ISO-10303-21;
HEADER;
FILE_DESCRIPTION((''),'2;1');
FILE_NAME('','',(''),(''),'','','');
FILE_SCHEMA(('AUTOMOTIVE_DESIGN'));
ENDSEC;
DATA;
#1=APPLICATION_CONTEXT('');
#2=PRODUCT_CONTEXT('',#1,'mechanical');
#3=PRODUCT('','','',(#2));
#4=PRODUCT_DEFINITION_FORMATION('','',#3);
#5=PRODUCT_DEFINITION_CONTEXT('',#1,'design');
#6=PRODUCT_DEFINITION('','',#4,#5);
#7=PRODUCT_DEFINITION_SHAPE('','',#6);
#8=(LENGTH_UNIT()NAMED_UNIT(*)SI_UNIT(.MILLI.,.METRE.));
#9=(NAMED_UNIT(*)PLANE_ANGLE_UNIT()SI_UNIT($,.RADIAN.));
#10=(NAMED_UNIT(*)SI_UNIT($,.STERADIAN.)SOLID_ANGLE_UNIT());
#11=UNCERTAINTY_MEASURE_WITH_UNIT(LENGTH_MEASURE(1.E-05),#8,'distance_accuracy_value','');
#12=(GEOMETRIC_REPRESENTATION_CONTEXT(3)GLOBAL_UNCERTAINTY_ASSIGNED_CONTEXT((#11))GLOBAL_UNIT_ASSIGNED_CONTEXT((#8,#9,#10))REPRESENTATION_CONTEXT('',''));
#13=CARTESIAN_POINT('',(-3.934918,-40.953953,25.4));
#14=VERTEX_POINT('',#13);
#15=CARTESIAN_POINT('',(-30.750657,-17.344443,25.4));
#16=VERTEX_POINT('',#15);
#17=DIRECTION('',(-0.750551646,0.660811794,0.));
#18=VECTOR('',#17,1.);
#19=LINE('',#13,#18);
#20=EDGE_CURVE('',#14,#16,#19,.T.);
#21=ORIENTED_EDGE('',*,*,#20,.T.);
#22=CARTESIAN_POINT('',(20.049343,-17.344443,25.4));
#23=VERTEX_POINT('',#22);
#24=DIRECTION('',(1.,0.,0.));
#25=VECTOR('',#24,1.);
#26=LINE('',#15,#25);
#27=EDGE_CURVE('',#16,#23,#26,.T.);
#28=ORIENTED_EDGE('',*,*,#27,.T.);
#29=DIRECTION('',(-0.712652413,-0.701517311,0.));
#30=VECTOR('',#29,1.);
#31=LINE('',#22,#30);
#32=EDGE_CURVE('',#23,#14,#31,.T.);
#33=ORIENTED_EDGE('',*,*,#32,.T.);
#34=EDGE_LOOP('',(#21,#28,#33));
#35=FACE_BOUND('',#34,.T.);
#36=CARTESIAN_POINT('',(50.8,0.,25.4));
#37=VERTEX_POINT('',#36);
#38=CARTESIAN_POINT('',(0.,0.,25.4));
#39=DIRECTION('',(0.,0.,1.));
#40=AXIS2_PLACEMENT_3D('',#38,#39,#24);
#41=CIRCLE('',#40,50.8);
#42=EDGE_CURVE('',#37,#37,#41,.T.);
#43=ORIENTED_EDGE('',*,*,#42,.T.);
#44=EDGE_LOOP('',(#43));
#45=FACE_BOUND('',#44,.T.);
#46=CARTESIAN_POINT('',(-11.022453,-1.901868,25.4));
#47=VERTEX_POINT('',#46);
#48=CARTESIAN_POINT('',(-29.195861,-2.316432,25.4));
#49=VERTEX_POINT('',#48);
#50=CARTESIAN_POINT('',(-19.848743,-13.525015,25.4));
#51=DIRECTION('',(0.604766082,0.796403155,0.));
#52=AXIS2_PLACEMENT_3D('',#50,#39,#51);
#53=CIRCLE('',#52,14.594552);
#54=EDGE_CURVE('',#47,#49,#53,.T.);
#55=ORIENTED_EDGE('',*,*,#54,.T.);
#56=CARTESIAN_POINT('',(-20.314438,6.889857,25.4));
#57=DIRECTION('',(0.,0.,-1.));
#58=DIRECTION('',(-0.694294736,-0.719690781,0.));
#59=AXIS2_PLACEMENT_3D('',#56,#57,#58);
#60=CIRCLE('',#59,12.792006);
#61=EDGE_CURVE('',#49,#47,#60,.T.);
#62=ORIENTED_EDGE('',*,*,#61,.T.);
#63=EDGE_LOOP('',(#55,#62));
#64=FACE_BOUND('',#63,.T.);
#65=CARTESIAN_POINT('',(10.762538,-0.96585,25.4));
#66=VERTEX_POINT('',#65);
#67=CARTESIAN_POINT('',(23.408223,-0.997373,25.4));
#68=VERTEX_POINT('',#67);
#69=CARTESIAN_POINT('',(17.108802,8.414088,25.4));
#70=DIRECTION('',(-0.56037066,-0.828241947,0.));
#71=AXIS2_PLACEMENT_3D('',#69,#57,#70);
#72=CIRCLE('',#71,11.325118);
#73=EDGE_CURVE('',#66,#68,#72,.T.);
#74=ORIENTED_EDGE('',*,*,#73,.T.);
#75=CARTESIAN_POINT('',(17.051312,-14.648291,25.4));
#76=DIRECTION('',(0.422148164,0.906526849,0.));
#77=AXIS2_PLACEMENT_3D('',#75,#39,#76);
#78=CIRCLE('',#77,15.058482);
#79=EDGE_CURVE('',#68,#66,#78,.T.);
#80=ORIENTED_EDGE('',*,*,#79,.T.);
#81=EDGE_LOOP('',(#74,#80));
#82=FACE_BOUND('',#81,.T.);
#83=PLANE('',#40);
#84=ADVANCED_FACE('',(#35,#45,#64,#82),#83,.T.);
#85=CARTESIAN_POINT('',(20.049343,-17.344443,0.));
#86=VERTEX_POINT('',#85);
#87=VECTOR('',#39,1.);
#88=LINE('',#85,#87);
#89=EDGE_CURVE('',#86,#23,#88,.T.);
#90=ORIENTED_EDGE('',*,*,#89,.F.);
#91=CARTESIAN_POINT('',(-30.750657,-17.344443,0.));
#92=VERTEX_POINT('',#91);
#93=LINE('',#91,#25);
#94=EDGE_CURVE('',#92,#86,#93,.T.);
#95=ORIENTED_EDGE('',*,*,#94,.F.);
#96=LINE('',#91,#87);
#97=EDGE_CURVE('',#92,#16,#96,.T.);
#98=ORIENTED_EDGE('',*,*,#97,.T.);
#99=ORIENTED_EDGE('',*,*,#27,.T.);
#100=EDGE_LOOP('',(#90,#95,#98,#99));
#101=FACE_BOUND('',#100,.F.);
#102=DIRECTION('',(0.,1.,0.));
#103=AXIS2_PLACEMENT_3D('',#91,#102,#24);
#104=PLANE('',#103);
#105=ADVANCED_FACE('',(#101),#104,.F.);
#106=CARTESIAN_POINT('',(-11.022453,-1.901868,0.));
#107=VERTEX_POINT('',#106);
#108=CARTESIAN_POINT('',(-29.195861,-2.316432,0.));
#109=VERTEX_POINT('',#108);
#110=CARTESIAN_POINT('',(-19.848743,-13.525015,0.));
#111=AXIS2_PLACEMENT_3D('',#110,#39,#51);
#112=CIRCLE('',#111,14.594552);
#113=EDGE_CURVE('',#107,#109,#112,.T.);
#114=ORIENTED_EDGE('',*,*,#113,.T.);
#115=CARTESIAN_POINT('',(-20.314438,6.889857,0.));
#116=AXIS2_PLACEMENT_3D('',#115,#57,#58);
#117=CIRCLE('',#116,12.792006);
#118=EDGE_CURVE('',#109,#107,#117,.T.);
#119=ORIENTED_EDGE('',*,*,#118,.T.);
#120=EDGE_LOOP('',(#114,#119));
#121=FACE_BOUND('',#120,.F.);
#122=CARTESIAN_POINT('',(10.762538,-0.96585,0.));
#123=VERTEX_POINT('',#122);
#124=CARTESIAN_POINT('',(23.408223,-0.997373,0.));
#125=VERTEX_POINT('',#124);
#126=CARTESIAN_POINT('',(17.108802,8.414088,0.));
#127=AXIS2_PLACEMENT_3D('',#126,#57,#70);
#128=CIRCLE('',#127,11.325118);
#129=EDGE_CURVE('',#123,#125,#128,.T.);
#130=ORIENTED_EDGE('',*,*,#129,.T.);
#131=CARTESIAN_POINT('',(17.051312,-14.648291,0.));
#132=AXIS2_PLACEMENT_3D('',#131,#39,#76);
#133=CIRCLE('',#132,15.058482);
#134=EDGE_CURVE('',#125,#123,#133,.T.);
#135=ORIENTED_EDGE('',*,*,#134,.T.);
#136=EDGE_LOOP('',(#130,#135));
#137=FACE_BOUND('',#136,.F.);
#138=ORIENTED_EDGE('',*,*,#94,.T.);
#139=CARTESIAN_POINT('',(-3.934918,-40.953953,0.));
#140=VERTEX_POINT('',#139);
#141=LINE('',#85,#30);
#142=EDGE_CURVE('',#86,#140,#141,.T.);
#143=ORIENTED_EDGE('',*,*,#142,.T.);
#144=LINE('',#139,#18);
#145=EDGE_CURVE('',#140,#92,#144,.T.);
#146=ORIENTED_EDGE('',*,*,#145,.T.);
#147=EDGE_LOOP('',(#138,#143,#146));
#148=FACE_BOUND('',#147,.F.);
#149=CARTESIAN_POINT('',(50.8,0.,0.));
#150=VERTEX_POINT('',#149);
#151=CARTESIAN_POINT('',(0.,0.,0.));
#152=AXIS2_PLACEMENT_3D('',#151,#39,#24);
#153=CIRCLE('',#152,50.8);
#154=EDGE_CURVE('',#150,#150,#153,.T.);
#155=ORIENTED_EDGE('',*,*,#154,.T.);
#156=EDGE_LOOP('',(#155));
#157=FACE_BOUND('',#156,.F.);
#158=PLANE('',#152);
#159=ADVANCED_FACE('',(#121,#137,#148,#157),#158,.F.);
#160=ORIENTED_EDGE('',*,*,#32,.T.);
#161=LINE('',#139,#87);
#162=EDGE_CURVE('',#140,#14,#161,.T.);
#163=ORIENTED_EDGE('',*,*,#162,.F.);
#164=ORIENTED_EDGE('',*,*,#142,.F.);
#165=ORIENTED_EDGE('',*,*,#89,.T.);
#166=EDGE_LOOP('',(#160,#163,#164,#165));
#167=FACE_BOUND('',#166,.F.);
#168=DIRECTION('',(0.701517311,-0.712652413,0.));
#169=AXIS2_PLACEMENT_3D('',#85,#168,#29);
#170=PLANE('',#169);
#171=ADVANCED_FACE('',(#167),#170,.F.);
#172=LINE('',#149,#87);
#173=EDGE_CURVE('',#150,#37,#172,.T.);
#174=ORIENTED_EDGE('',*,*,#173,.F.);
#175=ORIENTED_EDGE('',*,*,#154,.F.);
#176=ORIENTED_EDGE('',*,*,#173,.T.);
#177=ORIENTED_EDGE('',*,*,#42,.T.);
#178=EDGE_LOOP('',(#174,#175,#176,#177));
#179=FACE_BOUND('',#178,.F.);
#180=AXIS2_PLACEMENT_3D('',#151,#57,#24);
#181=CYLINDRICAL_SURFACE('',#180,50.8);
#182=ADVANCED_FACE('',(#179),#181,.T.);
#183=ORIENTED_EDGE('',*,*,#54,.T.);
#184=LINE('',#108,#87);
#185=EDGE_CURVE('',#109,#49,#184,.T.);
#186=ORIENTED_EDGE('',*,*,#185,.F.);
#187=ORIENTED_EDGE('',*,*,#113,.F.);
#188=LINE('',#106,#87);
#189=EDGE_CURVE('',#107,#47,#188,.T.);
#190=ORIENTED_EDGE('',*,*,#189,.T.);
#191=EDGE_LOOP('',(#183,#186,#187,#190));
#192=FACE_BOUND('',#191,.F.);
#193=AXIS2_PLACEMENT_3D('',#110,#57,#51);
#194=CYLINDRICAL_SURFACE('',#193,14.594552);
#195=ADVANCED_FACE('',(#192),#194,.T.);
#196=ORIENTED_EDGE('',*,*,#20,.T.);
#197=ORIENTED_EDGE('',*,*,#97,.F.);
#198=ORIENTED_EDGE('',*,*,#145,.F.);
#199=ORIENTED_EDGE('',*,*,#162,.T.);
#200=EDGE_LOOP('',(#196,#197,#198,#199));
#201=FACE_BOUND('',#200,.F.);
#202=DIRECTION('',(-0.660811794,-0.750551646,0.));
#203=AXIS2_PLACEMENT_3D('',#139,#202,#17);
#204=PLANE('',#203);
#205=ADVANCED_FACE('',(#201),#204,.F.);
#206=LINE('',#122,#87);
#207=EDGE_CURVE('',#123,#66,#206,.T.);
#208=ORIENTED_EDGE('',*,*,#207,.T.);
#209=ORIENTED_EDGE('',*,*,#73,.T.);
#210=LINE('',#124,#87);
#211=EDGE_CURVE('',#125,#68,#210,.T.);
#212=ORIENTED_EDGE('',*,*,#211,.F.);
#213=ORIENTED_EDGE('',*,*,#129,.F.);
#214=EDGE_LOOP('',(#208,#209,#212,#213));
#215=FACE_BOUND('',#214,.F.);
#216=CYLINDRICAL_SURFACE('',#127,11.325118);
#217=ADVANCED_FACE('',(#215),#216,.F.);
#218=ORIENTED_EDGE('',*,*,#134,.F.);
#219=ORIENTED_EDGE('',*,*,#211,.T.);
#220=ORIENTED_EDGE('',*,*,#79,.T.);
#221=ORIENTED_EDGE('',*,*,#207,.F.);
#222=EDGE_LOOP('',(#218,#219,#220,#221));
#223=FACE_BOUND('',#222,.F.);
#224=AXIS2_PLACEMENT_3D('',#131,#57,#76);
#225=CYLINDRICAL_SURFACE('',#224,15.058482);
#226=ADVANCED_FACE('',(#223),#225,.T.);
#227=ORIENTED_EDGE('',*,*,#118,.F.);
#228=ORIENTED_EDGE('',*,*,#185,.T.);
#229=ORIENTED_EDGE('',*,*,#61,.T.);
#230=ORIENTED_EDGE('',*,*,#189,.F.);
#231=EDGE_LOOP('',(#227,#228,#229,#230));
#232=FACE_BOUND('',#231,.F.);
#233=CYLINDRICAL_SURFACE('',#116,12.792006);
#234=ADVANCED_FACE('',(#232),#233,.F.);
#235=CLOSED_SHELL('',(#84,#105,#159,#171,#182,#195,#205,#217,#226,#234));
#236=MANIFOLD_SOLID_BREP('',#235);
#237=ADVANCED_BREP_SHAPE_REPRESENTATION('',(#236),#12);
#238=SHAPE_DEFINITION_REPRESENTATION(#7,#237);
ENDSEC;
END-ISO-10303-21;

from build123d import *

# Parameters (mm, degrees)
F0_R     = 50.8
F1_DEPTH = 25.4


with BuildPart() as f1:
    # F0 (on Top) → F1 (new body)
    with BuildSketch(Plane.XY):
        Circle(F0_R)
        Polygon((-3.934918, -40.953953), (-30.750657, -17.344443), (20.049343, -17.344443), align=None, mode=Mode.SUBTRACT)
        with BuildLine():
            ThreePointArc((-29.195861, -2.316432), (-20.606169, 19.678536), (-11.022453, -1.901868))
            ThreePointArc((-11.022453, -1.901868), (-20.181581, 1.065741), (-29.195861, -2.316432))
        make_face(mode=Mode.SUBTRACT)
        with BuildLine():
            ThreePointArc((10.762538, -0.96585), (17.137034, 19.739171), (23.408223, -0.997373))
            ThreePointArc((23.408223, -0.997373), (17.08885, 0.410144), (10.762538, -0.96585))
        make_face(mode=Mode.SUBTRACT)
    extrude(amount=F1_DEPTH)


solid = f1.part
